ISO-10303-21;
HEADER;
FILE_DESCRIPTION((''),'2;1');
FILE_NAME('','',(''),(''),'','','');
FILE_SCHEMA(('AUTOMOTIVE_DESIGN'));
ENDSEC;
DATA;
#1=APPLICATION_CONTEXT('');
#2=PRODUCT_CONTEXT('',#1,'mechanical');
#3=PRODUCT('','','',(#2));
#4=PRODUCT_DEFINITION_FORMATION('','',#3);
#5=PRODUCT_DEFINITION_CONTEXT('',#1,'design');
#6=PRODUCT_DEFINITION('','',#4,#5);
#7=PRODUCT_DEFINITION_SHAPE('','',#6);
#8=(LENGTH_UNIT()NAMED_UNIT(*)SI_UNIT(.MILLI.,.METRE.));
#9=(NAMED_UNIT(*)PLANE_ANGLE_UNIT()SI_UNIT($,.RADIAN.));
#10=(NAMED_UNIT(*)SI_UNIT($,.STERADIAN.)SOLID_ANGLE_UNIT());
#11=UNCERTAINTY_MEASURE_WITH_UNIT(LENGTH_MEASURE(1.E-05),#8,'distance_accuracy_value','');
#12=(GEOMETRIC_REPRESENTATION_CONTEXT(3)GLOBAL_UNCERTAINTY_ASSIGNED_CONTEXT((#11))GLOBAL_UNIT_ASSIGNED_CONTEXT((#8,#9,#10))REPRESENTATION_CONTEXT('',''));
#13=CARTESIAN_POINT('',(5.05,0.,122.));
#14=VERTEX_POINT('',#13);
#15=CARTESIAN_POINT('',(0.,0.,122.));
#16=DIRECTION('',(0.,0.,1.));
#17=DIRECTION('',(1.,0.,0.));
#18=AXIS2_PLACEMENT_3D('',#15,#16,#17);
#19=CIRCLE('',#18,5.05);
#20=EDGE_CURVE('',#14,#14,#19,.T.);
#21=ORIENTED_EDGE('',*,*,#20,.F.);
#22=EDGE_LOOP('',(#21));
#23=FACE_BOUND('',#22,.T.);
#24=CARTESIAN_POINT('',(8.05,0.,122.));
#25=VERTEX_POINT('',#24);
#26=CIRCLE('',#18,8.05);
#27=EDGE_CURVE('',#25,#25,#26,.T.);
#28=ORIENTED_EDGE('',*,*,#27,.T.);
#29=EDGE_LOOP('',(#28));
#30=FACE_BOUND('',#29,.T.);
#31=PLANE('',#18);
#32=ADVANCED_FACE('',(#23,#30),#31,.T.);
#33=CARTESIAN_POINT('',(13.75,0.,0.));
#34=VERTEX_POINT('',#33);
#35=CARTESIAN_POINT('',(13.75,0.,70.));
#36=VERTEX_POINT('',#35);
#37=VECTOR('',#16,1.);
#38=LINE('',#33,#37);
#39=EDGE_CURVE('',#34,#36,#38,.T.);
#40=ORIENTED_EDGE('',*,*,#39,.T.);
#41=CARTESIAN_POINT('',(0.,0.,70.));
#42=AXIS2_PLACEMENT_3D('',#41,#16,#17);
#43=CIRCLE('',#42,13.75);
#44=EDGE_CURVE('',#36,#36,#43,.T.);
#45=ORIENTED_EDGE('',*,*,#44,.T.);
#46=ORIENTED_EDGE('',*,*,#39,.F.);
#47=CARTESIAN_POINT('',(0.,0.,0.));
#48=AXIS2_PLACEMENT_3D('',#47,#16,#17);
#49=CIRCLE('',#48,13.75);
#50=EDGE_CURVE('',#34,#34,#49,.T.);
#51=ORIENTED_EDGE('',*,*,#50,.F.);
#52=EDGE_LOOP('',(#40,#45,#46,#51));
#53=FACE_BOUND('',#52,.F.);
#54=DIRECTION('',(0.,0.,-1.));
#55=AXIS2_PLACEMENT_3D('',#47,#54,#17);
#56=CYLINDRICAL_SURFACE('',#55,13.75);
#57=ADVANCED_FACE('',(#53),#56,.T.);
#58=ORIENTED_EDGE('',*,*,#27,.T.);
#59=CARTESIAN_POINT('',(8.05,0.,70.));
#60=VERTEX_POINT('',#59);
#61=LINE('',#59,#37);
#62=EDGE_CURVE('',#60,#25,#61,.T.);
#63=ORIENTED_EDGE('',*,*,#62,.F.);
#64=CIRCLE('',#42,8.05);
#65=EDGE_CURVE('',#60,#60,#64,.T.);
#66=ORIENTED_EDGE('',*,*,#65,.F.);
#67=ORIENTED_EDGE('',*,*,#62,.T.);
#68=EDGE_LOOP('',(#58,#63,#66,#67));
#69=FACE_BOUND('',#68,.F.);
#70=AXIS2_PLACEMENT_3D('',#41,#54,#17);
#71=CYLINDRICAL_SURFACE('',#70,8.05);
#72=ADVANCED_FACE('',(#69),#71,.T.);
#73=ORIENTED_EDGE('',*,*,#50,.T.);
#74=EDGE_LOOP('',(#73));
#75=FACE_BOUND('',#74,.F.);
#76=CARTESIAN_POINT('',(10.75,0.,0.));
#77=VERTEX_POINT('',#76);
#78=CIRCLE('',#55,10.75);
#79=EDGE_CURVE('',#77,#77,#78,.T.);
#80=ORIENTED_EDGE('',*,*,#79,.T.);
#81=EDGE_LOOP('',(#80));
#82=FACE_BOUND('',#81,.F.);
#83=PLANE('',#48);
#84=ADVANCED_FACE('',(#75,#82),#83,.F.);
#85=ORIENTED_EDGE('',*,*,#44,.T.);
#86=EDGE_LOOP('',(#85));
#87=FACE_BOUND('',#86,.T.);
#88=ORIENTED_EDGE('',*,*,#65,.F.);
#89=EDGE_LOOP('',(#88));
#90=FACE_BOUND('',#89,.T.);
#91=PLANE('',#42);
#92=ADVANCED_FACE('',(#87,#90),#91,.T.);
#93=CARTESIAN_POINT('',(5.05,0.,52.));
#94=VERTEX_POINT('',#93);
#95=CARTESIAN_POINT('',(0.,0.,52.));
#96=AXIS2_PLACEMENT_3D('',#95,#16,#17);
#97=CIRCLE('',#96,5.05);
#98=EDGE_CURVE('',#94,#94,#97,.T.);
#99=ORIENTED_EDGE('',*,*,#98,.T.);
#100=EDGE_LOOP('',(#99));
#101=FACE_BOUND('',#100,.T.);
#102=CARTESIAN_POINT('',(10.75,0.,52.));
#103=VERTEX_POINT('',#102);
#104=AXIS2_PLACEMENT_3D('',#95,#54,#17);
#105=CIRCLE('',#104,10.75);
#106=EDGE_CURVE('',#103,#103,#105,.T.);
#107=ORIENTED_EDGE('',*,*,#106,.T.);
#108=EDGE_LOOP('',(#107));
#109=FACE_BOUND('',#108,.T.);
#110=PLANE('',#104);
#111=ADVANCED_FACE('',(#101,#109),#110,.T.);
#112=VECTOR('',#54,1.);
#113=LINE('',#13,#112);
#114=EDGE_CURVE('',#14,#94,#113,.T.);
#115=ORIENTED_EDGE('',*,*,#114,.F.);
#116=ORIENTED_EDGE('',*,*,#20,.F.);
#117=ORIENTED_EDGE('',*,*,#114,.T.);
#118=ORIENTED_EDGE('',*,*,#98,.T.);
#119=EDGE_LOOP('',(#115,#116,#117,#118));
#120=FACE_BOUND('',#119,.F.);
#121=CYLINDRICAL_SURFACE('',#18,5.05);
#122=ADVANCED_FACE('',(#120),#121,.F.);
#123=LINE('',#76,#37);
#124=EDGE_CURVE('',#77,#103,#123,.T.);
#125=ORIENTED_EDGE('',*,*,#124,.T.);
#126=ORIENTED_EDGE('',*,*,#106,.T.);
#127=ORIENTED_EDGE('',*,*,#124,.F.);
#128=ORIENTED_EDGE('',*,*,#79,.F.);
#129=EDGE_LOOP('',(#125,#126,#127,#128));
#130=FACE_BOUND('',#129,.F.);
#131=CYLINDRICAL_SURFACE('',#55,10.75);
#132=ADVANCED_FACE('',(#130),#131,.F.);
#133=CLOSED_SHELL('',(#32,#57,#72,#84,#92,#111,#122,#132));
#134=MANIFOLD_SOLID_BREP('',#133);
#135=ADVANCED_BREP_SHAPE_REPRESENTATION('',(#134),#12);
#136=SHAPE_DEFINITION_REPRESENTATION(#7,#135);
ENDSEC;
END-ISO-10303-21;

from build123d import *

# Parameters (mm, degrees)
F0_R     = 13.75
F1_DEPTH = 70
F2_R     = 8.05
F3_DEPTH = 52
F4_R     = 10.75
F5_DEPTH = 52
F6_R     = 5.05
F7_DEPTH = 70


with BuildPart() as f1:
    # F0 (on Top) → F1 (new body)
    with BuildSketch(Plane.XY):
        Circle(F0_R)
    extrude(amount=F1_DEPTH)

    # F2 (on face) → F3 (join)
    with BuildSketch(Plane.XY.offset(70)):
        Circle(F2_R)
    extrude(amount=F3_DEPTH)

    # F4 (on face) → F5 (cut)
    with BuildSketch(Plane(origin=(0, 0, 0), x_dir=(1, 0, 0), z_dir=(0, 0, -1))):
        Circle(F4_R)
    extrude(amount=-F5_DEPTH, mode=Mode.SUBTRACT)

    # F6 (on face) → F7 (cut, through all)
    with BuildSketch(Plane.XY.offset(122)):
        Circle(F6_R)
    extrude(amount=-F7_DEPTH, mode=Mode.SUBTRACT)


solid = f1.part
